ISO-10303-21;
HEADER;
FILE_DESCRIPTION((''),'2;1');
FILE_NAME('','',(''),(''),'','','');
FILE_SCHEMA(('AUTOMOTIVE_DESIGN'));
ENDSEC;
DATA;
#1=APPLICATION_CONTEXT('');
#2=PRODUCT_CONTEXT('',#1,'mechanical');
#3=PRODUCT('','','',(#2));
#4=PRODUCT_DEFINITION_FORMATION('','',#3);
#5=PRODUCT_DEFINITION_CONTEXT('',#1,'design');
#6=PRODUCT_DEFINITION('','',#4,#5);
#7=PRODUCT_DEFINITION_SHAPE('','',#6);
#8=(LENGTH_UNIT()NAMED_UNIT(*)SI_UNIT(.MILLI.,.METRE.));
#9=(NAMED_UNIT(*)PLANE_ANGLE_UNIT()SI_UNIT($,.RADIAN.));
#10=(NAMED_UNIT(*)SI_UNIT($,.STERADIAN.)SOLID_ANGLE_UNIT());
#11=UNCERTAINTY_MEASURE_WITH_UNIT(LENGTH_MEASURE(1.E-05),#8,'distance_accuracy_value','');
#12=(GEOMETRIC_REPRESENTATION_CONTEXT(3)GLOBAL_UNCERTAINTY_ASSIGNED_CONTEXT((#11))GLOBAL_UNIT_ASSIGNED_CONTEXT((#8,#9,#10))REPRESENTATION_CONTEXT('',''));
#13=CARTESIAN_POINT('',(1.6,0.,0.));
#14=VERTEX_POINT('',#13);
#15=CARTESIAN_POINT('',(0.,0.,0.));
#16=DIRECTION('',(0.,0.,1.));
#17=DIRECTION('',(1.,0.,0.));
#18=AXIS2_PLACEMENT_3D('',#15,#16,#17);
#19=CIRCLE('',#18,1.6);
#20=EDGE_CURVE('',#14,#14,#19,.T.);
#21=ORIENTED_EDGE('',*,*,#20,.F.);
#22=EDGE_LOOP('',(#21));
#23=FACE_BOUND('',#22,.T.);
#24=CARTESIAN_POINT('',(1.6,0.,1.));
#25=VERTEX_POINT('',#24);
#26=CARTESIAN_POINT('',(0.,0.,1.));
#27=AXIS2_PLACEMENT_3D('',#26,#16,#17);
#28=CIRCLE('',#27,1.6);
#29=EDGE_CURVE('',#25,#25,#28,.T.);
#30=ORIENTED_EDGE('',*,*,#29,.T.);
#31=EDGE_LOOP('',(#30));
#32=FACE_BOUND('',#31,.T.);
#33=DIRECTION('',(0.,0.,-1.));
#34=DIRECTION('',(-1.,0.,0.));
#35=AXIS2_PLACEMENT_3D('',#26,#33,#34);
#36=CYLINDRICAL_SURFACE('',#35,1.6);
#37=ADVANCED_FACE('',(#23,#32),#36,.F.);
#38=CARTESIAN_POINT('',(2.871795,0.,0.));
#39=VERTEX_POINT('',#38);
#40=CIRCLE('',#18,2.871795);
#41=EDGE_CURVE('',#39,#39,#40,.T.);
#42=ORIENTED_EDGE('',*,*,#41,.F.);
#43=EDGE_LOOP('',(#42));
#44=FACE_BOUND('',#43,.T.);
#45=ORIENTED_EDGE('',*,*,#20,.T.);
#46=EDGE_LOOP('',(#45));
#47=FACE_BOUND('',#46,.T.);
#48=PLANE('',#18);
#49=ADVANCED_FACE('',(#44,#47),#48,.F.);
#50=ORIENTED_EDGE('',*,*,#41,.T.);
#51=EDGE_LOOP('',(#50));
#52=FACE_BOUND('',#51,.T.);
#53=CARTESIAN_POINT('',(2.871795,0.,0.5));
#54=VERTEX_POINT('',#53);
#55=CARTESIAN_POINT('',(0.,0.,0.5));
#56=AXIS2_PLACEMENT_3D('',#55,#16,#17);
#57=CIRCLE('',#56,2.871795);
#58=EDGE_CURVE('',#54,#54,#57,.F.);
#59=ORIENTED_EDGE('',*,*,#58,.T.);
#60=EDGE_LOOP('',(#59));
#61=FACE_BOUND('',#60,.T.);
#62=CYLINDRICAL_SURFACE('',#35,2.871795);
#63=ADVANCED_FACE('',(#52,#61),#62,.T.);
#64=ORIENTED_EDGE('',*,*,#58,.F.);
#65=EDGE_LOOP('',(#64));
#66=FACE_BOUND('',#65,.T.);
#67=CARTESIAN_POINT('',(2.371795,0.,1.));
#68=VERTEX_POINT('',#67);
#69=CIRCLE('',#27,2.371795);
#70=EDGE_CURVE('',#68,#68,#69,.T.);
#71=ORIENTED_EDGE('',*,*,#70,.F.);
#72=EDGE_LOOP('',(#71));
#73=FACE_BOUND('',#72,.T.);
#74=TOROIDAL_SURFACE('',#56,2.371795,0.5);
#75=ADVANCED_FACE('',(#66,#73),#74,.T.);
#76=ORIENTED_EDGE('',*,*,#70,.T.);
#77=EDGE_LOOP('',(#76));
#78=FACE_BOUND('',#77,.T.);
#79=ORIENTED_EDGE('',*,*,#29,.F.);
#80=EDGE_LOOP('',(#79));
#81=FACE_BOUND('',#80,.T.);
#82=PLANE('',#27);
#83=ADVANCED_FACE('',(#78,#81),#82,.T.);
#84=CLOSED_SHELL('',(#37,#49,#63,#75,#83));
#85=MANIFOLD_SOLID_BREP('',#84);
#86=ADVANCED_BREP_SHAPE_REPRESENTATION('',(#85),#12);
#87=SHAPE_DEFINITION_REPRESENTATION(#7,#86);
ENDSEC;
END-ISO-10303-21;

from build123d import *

# Parameters (mm, degrees)
ESQUISSE1_R        = 2.871794872
ESQUISSE1_R_2      = 1.6
BOSS_EXTRU_1_DEPTH = 1
CONG_1_R           = 0.5


with BuildPart() as part:
    # Esquisse1 → Boss.-Extru.1 (new body)
    with BuildSketch(Plane.XY):
        Circle(ESQUISSE1_R)
        Circle(ESQUISSE1_R_2, mode=Mode.SUBTRACT)
    extrude(amount=BOSS_EXTRU_1_DEPTH)

    # Congé1
    cong_1_edges = [part.edges().sort_by_distance(p)[0] for p in [
        (-2.871794872, 0, 1),
    ]]
    fillet(cong_1_edges, radius=CONG_1_R)


solid = part.part
